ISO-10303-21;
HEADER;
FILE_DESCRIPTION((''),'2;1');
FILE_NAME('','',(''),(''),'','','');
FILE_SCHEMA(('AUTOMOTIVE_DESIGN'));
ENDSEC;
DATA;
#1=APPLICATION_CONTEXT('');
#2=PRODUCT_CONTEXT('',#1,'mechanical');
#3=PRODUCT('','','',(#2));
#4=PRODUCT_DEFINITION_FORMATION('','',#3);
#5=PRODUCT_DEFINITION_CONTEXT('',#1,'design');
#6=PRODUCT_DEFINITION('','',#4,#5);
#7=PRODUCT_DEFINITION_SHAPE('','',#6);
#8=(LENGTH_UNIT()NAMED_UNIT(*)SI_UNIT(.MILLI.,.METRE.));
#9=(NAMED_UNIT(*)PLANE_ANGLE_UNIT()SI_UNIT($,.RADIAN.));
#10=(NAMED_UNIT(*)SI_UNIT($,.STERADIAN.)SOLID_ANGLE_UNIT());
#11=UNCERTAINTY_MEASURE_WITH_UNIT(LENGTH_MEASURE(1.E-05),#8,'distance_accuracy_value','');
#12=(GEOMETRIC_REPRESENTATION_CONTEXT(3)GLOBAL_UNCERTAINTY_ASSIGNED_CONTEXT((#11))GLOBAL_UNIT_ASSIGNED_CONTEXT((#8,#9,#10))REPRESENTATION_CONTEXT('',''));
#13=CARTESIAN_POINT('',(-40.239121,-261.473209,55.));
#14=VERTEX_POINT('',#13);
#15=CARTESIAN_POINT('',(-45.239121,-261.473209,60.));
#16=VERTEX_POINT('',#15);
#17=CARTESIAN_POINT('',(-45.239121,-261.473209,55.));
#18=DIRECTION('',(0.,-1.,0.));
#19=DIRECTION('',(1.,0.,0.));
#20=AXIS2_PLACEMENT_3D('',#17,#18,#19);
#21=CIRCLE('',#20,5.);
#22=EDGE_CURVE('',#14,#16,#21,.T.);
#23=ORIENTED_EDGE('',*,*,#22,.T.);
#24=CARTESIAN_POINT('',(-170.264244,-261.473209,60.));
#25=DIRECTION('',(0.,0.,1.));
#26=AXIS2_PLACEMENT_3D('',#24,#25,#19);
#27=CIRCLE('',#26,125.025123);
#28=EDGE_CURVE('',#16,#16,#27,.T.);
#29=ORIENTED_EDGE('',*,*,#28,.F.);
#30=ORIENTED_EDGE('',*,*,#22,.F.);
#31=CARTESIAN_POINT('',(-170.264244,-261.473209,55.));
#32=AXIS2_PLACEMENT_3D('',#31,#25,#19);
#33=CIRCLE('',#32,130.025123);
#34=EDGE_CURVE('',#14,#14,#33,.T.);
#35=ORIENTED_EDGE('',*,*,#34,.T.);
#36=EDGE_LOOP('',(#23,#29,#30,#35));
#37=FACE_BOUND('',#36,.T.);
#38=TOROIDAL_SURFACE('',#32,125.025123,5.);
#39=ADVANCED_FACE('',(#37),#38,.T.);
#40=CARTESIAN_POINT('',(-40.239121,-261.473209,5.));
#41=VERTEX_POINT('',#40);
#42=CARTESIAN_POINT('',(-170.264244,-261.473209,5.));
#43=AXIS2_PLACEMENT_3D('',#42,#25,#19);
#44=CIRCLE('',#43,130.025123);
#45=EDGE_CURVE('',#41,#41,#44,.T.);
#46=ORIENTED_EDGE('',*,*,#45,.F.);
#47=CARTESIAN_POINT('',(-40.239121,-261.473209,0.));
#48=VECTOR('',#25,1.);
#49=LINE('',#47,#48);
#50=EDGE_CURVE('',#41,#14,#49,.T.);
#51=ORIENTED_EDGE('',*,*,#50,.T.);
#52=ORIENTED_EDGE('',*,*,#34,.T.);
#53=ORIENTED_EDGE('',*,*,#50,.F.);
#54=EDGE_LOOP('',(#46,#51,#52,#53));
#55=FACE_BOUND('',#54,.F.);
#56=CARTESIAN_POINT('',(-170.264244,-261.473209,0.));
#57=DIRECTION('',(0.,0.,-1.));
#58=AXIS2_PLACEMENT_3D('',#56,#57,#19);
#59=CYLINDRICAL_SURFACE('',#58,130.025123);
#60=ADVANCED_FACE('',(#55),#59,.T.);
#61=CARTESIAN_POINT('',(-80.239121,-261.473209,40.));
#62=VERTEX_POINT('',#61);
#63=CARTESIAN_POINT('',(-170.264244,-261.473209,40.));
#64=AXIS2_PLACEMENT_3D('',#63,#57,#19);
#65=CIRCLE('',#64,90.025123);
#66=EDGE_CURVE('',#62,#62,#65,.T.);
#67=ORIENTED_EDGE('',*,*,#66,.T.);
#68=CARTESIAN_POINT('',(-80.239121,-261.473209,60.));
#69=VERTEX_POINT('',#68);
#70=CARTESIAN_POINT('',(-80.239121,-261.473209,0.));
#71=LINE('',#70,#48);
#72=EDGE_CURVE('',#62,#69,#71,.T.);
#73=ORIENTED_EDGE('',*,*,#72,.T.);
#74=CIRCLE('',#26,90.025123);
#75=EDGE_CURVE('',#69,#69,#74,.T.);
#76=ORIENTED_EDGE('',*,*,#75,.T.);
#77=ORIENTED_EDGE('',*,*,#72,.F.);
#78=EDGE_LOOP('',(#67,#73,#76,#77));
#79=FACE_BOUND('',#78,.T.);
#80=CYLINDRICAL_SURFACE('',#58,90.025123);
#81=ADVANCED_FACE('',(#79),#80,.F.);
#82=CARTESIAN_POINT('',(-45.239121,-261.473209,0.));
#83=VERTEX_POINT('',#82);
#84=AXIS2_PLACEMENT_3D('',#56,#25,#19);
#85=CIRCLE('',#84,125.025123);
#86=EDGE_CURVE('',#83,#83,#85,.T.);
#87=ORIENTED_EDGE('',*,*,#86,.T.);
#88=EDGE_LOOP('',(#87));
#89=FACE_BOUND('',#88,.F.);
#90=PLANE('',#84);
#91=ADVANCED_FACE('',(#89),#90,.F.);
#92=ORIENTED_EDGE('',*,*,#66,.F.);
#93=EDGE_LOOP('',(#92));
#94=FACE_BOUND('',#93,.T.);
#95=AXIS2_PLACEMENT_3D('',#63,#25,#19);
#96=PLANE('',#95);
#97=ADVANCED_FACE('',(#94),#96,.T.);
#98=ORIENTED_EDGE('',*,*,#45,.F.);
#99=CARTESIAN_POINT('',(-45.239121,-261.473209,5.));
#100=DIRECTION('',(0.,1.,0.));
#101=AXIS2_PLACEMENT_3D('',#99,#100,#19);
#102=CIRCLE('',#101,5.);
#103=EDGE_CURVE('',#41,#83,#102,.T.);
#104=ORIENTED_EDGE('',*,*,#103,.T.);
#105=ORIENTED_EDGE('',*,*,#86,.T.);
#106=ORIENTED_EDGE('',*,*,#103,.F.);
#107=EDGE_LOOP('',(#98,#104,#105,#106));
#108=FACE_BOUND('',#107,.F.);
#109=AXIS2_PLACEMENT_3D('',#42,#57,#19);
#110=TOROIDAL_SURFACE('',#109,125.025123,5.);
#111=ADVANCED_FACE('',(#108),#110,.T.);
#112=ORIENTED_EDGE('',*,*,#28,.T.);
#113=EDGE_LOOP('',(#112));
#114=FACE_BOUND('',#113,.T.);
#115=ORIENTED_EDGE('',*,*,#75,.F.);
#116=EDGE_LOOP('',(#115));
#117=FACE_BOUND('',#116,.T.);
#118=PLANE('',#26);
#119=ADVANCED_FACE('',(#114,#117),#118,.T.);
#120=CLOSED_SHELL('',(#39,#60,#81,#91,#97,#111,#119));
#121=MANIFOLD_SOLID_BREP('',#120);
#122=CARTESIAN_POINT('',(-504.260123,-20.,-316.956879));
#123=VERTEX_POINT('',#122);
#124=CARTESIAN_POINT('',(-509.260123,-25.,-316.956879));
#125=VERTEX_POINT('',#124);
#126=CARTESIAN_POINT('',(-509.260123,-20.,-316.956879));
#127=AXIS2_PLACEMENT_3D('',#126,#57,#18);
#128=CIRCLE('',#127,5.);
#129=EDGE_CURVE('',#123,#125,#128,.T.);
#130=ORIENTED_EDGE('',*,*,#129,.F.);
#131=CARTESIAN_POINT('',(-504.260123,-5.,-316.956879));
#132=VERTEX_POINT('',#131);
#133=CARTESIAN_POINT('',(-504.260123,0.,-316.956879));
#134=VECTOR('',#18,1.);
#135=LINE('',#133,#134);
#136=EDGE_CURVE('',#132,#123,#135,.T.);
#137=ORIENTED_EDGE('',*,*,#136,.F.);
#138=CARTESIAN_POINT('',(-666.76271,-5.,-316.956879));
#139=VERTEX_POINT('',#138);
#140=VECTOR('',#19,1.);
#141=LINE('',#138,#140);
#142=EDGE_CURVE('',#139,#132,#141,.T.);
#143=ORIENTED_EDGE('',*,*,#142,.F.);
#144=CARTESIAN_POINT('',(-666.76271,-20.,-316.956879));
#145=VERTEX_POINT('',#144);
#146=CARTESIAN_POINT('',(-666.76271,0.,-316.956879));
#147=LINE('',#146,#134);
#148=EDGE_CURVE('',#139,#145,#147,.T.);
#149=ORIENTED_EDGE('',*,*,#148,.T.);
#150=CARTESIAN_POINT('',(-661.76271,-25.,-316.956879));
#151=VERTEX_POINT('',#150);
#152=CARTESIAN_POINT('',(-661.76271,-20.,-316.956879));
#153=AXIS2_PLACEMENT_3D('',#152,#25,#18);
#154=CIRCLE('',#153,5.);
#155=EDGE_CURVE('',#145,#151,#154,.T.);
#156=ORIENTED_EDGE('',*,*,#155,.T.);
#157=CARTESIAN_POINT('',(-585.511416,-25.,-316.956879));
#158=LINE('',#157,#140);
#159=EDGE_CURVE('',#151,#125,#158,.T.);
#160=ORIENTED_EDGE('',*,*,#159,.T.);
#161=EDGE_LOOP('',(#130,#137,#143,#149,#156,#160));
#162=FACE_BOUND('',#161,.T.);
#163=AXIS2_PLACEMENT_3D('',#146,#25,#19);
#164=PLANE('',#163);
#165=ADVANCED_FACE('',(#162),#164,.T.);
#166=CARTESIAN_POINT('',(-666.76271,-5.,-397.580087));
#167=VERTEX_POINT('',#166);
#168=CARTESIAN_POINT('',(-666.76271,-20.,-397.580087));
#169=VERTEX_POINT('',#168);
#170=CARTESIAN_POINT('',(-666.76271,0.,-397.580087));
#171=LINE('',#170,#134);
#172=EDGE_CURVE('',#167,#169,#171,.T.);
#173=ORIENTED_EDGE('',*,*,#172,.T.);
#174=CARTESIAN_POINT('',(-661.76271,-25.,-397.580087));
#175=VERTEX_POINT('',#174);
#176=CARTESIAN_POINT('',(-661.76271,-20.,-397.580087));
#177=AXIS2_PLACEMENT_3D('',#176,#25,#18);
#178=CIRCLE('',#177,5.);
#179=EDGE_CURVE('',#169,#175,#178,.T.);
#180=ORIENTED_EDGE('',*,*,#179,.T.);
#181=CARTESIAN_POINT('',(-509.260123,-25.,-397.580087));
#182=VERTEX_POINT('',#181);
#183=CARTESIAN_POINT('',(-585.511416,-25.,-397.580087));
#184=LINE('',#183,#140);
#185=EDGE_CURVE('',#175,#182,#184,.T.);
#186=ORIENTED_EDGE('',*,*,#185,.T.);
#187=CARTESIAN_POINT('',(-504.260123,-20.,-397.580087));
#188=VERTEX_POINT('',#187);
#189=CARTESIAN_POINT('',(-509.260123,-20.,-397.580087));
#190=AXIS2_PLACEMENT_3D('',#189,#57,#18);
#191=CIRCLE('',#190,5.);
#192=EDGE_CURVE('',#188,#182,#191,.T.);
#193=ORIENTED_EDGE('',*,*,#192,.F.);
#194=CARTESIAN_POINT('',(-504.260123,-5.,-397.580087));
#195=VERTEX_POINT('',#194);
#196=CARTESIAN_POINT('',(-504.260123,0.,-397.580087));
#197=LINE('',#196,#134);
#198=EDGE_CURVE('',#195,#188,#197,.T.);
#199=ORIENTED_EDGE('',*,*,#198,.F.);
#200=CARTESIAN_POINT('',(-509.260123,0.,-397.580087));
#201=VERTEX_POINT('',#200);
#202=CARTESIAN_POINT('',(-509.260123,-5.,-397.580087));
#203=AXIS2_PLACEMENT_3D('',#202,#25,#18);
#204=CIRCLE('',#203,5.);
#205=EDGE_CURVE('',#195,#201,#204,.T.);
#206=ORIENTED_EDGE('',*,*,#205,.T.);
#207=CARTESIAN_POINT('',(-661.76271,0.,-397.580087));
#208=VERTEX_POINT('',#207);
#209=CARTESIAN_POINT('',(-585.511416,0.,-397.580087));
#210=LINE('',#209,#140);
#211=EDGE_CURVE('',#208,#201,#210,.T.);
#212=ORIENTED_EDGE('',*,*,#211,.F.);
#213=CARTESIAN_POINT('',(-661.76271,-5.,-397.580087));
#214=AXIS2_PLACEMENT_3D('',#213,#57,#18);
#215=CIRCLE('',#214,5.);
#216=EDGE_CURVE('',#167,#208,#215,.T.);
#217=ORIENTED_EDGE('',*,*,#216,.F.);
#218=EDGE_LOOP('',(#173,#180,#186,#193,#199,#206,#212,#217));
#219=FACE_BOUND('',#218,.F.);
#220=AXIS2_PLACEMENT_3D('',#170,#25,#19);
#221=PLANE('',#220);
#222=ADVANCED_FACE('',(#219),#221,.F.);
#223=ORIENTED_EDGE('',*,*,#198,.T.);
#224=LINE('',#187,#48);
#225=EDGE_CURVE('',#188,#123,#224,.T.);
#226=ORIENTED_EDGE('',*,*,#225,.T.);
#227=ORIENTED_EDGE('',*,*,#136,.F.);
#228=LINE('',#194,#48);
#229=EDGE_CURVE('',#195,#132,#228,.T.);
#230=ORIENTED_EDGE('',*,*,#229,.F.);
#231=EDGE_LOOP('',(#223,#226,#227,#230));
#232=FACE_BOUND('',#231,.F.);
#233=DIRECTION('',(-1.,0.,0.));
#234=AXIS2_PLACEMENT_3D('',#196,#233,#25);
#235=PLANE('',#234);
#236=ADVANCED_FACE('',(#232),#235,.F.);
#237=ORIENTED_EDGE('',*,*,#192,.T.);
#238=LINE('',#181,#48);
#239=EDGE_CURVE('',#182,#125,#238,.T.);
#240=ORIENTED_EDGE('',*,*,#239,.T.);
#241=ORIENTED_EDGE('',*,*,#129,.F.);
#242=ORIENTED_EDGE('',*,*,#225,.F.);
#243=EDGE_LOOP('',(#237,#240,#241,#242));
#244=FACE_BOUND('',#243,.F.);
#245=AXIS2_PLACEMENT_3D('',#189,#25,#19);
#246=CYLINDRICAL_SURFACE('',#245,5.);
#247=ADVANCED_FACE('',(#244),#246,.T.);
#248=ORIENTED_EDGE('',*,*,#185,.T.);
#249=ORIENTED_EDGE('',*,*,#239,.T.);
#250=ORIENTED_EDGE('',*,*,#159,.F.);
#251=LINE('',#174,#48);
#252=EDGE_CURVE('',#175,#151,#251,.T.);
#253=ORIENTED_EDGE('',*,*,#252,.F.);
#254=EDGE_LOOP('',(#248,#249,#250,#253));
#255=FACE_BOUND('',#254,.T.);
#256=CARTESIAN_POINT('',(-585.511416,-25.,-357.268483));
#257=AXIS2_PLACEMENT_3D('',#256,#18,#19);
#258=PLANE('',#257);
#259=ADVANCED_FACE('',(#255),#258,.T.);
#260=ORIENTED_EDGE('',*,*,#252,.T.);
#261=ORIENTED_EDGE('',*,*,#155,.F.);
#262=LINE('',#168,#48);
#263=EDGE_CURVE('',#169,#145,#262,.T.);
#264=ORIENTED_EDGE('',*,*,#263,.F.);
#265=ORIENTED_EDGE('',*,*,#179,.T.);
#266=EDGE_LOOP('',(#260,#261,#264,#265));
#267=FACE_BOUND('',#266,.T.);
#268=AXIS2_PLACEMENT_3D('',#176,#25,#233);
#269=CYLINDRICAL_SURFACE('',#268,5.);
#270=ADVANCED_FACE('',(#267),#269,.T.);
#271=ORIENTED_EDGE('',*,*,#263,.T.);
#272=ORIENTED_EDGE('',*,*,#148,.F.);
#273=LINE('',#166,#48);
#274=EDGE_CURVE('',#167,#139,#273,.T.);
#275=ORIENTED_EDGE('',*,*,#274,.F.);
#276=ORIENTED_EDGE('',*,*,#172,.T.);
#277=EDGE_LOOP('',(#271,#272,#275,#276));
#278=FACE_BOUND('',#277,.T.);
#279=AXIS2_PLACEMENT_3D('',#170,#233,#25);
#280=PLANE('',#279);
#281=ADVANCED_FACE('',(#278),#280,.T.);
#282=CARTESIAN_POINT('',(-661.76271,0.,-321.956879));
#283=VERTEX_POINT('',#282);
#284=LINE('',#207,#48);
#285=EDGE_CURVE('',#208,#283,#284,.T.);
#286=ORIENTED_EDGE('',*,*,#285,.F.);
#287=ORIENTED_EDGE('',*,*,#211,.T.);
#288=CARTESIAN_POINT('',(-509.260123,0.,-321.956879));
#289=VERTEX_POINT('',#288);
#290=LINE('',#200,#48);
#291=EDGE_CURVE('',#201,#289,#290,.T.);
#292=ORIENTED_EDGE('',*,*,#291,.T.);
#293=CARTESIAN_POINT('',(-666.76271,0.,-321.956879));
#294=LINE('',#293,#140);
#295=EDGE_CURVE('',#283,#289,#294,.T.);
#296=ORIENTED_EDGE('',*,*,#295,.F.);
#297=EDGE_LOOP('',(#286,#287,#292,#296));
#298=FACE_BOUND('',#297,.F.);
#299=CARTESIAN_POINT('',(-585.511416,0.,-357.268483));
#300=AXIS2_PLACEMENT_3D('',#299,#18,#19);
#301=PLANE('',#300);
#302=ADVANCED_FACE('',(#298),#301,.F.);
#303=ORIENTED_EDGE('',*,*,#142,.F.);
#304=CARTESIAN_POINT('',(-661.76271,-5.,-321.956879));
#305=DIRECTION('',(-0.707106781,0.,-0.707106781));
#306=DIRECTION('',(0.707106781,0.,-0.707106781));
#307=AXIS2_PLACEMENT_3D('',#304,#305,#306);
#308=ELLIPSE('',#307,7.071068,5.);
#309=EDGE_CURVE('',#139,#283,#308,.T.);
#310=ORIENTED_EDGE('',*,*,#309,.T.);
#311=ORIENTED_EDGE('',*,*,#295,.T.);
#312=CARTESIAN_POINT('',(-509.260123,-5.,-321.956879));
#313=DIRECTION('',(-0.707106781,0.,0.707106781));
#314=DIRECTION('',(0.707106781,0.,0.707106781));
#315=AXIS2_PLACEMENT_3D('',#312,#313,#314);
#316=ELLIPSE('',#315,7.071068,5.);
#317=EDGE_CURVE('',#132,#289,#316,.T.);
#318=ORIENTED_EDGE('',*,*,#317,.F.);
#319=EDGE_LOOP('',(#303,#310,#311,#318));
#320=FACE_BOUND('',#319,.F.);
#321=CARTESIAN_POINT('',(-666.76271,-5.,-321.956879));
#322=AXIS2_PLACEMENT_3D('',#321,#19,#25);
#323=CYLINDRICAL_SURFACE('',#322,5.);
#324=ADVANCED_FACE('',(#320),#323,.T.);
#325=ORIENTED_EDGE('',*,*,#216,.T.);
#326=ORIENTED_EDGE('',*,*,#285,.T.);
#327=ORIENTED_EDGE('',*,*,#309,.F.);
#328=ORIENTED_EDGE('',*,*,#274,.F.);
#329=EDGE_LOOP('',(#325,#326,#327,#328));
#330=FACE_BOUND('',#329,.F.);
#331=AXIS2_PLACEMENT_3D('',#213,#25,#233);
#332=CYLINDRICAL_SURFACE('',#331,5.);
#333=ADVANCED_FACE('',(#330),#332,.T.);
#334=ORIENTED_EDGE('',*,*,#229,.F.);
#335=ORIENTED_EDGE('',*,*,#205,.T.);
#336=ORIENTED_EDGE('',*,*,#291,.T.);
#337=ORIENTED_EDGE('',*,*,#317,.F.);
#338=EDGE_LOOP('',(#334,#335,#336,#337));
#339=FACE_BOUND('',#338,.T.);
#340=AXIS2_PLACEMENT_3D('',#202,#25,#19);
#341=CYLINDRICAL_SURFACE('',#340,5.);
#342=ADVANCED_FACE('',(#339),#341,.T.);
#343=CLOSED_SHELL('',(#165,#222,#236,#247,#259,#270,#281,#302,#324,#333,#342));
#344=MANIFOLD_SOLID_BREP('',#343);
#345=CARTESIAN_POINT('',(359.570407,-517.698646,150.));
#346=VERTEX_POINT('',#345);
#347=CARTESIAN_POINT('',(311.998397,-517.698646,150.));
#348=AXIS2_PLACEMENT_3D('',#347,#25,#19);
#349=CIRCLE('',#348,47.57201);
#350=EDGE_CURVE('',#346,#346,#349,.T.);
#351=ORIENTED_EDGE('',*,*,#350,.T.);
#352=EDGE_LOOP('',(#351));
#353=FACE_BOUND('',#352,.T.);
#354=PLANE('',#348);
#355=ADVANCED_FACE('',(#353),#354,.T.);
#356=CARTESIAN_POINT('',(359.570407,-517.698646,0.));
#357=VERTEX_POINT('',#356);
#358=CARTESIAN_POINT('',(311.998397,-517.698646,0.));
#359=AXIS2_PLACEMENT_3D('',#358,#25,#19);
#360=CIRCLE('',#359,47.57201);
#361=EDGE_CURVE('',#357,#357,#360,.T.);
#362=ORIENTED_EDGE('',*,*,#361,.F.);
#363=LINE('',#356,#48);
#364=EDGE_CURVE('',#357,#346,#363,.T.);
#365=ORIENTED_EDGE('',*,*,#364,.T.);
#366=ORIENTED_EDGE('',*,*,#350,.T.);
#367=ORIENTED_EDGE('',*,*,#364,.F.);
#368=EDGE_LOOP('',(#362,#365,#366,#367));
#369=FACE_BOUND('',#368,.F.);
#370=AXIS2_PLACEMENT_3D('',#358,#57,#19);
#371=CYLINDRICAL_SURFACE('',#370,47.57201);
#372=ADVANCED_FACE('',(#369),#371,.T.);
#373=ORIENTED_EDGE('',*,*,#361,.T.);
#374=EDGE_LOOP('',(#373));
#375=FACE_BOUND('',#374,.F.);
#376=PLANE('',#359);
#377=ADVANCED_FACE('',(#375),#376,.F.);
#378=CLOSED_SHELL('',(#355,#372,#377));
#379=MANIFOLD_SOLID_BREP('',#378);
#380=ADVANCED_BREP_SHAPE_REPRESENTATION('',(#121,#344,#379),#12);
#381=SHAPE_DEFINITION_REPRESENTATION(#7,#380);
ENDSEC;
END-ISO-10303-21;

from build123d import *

# Parameters (mm, degrees)
F0_R     = 130.025123
F1_DEPTH = 60
F2_T     = -40
F3_R     = 5
F4_R     = 47.57201
F5_DEPTH = 150
F6_W     = 162.502587
F6_H     = 80.623209
F7_DEPTH = 25
F8_R     = 5
F8_2_R   = 5


with BuildPart() as f1:
    # F0 (on Top) → F1 (new body)
    with BuildSketch(Plane.XY):
        with Locations((-170.264244, -261.473209)):
            Circle(F0_R)
    extrude(amount=F1_DEPTH)

    # F2
    f2_openings = [f1.faces().sort_by_distance(p)[0] for p in [
        (-170.264244, -261.473209, 60),
    ]]
    offset(amount=F2_T, openings=f2_openings)

    # F3
    f3_edges = [f1.edges().sort_by_distance(p)[0] for p in [
        (-300.289367, -261.473209, 60),
    ]]
    fillet(f3_edges, radius=F3_R)

    # F8#2
    f8_2_edges = [f1.edges().sort_by_distance(p)[0] for p in [
        (-300.289367, -261.473209, 0),
    ]]
    fillet(f8_2_edges, radius=F8_2_R)


with BuildPart() as f5:
    # F4 (on Top) → F5 (new body)
    with BuildSketch(Plane.XY):
        with Locations((311.998397, -517.698646)):
            Circle(F4_R)
    extrude(amount=F5_DEPTH)


with BuildPart() as f7:
    # F6 (on Front) → F7 (new body)
    with BuildSketch(Plane.XZ):
        with Locations((-585.511416, -357.268483)):
            Rectangle(F6_W, F6_H)
    extrude(amount=F7_DEPTH)

    # F8
    f8_edges = [f7.edges().sort_by_distance(p)[0] for p in [
        (-585.511416, 0, -316.956878),
        (-666.76271, -25, -357.268482),
        (-504.260123, -25, -357.268482),
        (-666.76271, 0, -357.268482),
        (-504.260123, 0, -357.268482),
    ]]
    fillet(f8_edges, radius=F8_R)


solid = Compound([f1.part, f5.part, f7.part])
